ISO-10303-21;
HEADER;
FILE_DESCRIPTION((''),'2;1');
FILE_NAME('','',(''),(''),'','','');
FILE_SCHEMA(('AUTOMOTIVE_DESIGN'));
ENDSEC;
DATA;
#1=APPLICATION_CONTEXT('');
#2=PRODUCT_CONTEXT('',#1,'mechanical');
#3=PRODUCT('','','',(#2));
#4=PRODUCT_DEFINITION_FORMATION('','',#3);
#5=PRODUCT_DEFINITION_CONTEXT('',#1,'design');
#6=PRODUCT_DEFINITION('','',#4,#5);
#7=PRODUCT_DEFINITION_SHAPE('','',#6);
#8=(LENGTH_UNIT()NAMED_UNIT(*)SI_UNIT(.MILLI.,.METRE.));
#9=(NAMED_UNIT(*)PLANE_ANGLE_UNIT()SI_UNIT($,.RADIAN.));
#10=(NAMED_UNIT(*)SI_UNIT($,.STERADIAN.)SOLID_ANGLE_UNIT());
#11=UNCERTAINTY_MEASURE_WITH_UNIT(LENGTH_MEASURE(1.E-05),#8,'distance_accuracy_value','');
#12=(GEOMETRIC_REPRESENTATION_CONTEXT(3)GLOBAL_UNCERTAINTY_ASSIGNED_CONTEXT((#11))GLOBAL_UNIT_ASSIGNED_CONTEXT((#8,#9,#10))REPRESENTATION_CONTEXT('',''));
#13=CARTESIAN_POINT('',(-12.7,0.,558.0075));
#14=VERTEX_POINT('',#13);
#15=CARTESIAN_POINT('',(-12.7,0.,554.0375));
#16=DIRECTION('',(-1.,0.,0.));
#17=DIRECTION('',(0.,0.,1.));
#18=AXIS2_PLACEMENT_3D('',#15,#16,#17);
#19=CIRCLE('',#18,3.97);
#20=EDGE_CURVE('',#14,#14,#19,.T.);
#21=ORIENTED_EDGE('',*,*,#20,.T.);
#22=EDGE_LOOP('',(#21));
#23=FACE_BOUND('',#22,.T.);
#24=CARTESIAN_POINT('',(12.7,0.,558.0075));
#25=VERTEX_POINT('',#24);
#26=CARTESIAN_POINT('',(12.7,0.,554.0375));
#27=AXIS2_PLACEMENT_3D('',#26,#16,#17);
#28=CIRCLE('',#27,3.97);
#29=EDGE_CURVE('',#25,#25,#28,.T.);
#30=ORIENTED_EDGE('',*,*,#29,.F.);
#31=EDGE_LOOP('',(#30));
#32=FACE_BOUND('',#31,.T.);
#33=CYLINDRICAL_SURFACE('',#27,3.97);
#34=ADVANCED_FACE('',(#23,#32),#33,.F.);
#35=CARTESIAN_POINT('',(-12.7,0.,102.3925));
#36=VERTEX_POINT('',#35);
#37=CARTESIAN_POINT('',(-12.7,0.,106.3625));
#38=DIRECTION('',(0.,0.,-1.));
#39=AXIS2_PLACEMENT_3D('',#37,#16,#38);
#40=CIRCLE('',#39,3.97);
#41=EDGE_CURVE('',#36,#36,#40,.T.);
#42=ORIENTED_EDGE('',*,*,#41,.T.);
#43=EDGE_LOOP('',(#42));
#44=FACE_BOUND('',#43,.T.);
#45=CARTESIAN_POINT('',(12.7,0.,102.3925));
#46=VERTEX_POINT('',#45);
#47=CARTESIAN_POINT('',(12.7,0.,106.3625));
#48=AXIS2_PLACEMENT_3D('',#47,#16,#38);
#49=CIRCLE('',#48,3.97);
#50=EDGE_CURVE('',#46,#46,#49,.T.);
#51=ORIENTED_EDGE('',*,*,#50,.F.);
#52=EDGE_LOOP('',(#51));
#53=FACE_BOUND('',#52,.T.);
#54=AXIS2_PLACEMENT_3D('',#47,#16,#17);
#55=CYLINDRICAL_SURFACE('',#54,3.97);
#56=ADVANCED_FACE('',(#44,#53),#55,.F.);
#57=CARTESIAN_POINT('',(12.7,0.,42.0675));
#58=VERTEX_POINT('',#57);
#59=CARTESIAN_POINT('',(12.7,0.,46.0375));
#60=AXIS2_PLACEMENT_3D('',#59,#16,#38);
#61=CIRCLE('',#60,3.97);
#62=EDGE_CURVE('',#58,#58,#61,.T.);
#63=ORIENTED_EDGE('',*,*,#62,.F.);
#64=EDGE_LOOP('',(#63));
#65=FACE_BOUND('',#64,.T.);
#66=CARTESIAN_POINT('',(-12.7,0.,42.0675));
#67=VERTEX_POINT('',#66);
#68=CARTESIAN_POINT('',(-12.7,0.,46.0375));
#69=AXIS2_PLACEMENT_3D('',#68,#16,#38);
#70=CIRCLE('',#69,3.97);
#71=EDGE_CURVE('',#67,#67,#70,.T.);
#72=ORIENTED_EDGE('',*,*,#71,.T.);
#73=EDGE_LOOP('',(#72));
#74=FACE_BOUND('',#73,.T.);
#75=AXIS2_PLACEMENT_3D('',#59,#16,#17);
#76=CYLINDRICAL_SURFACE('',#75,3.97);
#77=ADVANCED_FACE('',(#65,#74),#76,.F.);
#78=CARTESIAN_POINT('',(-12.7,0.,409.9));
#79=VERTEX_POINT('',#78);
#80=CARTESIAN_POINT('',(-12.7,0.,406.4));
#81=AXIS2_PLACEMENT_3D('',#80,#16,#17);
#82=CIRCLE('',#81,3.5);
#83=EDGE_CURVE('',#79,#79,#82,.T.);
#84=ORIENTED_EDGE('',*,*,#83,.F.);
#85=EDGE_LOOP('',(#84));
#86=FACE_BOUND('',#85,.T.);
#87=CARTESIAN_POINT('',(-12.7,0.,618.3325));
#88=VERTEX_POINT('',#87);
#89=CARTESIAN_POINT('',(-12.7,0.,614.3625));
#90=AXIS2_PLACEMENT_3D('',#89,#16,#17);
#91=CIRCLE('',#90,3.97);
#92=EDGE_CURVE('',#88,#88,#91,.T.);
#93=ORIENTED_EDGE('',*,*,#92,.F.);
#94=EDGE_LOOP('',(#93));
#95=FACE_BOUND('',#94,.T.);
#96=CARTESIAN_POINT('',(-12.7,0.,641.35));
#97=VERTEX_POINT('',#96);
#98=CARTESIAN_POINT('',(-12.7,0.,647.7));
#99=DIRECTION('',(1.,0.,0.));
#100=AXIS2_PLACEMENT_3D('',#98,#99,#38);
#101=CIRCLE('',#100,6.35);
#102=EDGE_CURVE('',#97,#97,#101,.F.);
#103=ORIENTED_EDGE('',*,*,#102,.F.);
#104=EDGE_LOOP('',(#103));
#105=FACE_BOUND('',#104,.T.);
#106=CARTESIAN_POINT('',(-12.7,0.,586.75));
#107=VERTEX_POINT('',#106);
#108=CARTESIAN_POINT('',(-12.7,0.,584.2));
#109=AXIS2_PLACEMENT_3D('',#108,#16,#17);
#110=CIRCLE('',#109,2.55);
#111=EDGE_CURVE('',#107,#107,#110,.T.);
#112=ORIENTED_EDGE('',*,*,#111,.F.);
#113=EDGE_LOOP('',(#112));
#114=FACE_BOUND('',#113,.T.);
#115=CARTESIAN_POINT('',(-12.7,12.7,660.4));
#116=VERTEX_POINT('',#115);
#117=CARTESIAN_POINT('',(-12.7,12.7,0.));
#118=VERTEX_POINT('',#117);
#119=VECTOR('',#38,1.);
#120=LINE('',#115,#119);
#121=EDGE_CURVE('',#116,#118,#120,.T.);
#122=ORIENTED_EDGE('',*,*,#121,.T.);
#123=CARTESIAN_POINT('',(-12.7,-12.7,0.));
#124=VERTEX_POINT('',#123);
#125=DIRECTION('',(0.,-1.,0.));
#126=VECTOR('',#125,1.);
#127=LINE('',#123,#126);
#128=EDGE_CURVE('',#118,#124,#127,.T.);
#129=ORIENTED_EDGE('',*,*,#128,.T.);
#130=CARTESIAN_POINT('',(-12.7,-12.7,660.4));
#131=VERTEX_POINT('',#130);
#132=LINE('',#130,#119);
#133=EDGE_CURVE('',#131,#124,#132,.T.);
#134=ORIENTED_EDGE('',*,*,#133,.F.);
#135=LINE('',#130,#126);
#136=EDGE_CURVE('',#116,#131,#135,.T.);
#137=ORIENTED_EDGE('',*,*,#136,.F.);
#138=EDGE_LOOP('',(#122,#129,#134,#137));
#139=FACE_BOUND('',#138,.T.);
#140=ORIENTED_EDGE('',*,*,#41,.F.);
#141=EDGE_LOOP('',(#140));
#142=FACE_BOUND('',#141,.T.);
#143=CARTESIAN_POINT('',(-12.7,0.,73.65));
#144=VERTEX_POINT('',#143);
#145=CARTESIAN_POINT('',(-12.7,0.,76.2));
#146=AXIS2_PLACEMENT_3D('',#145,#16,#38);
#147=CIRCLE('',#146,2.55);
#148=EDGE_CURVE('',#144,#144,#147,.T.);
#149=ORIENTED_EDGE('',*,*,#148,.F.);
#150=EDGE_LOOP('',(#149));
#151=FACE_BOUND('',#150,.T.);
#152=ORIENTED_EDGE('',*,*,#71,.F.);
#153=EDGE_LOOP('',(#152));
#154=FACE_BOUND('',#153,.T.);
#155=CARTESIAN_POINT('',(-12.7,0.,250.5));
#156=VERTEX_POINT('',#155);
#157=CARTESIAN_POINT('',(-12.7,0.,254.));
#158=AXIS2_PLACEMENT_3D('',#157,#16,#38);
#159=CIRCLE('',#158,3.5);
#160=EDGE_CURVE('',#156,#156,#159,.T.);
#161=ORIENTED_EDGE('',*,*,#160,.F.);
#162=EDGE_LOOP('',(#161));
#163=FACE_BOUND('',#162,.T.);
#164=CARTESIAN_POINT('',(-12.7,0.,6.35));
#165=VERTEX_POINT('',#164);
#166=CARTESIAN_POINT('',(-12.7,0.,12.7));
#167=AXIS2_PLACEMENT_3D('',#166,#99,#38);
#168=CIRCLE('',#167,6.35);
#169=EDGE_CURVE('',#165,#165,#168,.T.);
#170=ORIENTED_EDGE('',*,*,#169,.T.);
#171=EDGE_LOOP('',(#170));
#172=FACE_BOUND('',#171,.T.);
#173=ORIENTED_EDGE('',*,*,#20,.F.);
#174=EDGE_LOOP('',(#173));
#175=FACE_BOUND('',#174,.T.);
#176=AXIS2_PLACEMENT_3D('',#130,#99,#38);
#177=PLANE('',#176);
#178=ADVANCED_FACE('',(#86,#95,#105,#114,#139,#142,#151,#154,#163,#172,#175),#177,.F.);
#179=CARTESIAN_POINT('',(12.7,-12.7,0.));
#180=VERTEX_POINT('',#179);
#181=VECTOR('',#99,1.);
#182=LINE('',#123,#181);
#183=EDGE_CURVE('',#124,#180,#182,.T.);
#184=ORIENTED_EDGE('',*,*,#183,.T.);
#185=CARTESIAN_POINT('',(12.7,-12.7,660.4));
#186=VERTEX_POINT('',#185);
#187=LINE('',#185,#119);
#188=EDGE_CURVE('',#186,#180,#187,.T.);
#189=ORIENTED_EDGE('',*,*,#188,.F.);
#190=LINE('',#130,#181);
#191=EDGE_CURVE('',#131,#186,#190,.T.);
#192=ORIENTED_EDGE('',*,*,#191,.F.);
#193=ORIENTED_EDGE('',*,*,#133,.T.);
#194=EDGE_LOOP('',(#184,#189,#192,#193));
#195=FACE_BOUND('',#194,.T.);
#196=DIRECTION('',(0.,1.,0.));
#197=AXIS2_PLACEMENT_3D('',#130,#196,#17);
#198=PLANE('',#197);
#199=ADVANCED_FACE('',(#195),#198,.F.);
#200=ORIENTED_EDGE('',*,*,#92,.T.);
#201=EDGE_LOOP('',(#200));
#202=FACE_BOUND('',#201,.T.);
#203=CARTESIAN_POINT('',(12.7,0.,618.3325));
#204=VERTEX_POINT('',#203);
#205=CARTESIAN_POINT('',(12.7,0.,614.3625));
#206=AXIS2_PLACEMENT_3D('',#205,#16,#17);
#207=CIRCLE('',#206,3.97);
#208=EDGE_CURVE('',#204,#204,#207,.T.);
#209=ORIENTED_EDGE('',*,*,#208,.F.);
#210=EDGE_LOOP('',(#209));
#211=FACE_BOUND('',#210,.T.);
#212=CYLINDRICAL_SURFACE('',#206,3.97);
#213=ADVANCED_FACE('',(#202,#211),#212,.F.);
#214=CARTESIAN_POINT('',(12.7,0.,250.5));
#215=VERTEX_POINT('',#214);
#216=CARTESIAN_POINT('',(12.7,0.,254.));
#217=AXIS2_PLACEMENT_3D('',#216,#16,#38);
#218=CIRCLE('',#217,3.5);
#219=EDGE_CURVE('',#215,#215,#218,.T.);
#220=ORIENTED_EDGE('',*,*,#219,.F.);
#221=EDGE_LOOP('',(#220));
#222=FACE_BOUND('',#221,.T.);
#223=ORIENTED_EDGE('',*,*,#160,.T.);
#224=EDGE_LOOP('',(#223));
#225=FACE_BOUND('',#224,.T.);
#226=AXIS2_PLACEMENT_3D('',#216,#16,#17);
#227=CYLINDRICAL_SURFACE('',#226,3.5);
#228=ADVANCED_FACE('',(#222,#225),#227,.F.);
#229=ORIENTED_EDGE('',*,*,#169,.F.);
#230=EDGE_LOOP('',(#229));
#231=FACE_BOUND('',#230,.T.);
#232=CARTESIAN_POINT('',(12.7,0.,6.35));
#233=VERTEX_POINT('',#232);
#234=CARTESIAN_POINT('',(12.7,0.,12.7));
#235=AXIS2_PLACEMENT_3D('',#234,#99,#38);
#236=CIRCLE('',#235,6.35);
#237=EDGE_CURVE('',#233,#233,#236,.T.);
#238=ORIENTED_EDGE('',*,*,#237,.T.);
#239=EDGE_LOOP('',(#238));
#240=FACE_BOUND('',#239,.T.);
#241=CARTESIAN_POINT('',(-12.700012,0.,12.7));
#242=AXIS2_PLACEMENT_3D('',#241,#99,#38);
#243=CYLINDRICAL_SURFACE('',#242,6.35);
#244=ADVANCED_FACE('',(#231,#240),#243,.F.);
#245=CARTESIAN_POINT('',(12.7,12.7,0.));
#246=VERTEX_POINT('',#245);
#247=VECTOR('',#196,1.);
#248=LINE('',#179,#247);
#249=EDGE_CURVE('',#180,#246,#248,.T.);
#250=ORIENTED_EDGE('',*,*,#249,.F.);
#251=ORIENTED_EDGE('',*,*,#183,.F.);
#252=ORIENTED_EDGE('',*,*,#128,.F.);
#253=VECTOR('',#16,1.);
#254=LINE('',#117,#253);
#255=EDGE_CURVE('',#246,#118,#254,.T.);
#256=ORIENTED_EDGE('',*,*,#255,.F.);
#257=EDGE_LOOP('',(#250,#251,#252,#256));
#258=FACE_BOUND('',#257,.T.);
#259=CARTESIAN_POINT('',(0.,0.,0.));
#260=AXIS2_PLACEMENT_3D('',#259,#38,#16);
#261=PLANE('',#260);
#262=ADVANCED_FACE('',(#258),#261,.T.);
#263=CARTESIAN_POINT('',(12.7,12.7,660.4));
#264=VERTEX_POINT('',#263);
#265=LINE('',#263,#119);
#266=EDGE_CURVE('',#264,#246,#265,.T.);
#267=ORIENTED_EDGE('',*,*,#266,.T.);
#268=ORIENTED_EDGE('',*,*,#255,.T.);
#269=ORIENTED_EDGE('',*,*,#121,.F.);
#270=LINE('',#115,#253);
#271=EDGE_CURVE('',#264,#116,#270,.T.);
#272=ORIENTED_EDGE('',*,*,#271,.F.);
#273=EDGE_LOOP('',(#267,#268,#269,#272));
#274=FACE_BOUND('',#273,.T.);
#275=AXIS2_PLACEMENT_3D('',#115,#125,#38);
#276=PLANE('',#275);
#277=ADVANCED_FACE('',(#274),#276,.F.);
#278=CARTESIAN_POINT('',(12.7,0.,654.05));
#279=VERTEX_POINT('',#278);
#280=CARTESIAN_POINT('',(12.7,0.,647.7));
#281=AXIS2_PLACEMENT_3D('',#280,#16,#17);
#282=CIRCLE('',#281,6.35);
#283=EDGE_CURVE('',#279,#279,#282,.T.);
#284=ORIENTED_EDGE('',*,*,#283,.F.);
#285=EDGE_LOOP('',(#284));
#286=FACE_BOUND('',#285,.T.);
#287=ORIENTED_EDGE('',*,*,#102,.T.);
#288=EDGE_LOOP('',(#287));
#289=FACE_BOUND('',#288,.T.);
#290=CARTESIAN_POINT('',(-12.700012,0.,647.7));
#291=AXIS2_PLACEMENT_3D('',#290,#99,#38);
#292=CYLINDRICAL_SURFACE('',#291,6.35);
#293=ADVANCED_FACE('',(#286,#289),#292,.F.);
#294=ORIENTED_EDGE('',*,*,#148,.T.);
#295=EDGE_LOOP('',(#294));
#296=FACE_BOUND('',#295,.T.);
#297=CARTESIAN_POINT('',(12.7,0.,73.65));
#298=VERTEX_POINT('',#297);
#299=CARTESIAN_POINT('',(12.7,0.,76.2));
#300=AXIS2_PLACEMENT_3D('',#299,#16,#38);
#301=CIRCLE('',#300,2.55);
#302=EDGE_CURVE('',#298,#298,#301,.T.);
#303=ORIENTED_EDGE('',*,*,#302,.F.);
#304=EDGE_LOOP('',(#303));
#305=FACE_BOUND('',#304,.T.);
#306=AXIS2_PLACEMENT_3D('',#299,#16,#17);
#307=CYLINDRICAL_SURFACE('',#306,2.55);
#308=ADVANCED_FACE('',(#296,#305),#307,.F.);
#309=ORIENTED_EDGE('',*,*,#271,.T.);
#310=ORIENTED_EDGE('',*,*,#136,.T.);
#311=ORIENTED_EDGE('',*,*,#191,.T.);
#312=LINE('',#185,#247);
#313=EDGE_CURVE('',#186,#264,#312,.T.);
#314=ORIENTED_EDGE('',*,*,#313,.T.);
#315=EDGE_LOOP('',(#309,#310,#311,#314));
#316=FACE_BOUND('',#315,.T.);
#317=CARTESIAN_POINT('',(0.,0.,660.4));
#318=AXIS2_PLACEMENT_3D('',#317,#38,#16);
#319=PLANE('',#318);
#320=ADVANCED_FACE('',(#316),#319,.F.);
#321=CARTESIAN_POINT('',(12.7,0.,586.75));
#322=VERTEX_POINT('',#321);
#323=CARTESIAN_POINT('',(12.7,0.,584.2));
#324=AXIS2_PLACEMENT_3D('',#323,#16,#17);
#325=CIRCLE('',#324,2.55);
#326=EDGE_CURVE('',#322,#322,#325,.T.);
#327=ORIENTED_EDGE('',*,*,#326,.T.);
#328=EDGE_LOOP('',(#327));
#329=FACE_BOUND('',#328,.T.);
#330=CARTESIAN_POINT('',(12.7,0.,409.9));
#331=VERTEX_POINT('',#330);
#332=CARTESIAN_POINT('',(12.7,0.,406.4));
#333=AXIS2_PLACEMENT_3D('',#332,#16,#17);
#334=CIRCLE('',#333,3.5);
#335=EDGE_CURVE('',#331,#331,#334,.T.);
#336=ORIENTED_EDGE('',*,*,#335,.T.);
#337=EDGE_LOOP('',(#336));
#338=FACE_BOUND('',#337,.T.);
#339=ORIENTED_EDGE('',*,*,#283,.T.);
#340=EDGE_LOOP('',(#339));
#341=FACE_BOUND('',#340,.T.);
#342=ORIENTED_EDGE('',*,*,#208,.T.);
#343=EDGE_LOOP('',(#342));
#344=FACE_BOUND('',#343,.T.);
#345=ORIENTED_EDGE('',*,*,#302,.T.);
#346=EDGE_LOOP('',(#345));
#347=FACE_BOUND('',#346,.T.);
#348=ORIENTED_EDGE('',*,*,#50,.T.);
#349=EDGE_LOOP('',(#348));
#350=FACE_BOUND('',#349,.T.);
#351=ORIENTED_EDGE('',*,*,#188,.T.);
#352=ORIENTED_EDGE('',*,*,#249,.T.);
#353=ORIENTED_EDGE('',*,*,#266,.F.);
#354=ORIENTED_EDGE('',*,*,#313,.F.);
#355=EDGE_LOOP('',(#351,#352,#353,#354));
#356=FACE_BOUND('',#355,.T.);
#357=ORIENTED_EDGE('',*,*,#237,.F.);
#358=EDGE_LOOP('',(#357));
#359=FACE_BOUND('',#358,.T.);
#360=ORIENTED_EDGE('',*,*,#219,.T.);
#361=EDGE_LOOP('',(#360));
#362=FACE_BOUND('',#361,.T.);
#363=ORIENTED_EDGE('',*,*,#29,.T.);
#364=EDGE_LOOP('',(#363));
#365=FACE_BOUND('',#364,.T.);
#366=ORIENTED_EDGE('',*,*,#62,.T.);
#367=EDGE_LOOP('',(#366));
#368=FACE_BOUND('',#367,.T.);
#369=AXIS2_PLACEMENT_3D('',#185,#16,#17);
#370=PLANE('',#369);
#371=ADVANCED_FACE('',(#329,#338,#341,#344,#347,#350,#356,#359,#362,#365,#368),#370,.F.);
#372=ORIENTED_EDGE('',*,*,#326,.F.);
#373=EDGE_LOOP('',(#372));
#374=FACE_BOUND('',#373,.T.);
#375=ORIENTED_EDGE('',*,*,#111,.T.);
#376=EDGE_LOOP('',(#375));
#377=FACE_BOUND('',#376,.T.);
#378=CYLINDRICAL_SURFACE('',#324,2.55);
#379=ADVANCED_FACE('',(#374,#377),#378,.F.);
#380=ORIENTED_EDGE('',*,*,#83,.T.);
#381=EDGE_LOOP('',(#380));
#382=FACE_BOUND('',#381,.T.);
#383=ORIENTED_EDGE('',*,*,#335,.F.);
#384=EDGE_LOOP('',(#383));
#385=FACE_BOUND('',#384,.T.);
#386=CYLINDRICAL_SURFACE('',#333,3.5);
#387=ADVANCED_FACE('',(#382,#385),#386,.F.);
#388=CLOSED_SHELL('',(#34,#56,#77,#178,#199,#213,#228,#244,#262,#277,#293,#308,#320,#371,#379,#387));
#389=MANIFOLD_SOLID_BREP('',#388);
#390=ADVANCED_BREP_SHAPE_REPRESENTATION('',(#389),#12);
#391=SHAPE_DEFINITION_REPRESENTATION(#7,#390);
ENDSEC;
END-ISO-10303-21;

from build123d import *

# Parameters (mm, degrees)
SKETCH1_W               = 25.4
SKETCH1_H               = 25.4
BOSS_EXTRUDE1_DEPTH     = 660.4
SKETCH2_R               = 6.35
CUT_EXTRUDE4_DEPTH      = 26.4
CUT_EXTRUDE4_DEPTH_BACK = 1
SKETCH3_R               = 3.97
SKETCH3_R_2             = 2.55
CUT_EXTRUDE5_DEPTH      = 26.4
SKETCH10_R              = 3.5
CUT_EXTRUDE6_DEPTH      = 26.4


with BuildPart() as part:
    # Sketch1 → Boss-Extrude1 (new body)
    with BuildSketch(Plane.XY):
        Rectangle(SKETCH1_W, SKETCH1_H)
    extrude(amount=BOSS_EXTRUDE1_DEPTH)

    # Sketch2 → Cut-Extrude4 (cut, two sides)
    with BuildSketch(Plane(origin=(-12.7, 0, 0), x_dir=(0, 0, -1), z_dir=(1, 0, 0))) as cut_extrude4_sk:
        with Locations((-12.7, 0)):
            Circle(SKETCH2_R)
        with Locations((-647.7, 0)):
            Circle(SKETCH2_R)
    extrude(amount=CUT_EXTRUDE4_DEPTH, mode=Mode.SUBTRACT)
    extrude(cut_extrude4_sk.sketch, amount=-CUT_EXTRUDE4_DEPTH_BACK, mode=Mode.SUBTRACT)

    # Sketch3 → Cut-Extrude5 (cut, through all)
    with BuildSketch(Plane.ZY.offset(12.7)):
        with Locations((554.0375, 0)):
            Circle(SKETCH3_R)
        with Locations((106.3625, 0)):
            Circle(SKETCH3_R)
        with Locations((614.3625, 0)):
            Circle(SKETCH3_R)
        with Locations((584.2, 0)):
            Circle(SKETCH3_R_2)
        with Locations((46.0375, 0)):
            Circle(SKETCH3_R)
        with Locations((76.2, 0)):
            Circle(SKETCH3_R_2)
    extrude(amount=-CUT_EXTRUDE5_DEPTH, mode=Mode.SUBTRACT)

    # Sketch10 → Cut-Extrude6 (cut, through all)
    with BuildSketch(Plane.ZY.offset(12.7)):
        with Locations((406.4, 0)):
            Circle(SKETCH10_R)
        with Locations((254, 0)):
            Circle(SKETCH10_R)
    extrude(amount=-CUT_EXTRUDE6_DEPTH, mode=Mode.SUBTRACT)


solid = part.part
